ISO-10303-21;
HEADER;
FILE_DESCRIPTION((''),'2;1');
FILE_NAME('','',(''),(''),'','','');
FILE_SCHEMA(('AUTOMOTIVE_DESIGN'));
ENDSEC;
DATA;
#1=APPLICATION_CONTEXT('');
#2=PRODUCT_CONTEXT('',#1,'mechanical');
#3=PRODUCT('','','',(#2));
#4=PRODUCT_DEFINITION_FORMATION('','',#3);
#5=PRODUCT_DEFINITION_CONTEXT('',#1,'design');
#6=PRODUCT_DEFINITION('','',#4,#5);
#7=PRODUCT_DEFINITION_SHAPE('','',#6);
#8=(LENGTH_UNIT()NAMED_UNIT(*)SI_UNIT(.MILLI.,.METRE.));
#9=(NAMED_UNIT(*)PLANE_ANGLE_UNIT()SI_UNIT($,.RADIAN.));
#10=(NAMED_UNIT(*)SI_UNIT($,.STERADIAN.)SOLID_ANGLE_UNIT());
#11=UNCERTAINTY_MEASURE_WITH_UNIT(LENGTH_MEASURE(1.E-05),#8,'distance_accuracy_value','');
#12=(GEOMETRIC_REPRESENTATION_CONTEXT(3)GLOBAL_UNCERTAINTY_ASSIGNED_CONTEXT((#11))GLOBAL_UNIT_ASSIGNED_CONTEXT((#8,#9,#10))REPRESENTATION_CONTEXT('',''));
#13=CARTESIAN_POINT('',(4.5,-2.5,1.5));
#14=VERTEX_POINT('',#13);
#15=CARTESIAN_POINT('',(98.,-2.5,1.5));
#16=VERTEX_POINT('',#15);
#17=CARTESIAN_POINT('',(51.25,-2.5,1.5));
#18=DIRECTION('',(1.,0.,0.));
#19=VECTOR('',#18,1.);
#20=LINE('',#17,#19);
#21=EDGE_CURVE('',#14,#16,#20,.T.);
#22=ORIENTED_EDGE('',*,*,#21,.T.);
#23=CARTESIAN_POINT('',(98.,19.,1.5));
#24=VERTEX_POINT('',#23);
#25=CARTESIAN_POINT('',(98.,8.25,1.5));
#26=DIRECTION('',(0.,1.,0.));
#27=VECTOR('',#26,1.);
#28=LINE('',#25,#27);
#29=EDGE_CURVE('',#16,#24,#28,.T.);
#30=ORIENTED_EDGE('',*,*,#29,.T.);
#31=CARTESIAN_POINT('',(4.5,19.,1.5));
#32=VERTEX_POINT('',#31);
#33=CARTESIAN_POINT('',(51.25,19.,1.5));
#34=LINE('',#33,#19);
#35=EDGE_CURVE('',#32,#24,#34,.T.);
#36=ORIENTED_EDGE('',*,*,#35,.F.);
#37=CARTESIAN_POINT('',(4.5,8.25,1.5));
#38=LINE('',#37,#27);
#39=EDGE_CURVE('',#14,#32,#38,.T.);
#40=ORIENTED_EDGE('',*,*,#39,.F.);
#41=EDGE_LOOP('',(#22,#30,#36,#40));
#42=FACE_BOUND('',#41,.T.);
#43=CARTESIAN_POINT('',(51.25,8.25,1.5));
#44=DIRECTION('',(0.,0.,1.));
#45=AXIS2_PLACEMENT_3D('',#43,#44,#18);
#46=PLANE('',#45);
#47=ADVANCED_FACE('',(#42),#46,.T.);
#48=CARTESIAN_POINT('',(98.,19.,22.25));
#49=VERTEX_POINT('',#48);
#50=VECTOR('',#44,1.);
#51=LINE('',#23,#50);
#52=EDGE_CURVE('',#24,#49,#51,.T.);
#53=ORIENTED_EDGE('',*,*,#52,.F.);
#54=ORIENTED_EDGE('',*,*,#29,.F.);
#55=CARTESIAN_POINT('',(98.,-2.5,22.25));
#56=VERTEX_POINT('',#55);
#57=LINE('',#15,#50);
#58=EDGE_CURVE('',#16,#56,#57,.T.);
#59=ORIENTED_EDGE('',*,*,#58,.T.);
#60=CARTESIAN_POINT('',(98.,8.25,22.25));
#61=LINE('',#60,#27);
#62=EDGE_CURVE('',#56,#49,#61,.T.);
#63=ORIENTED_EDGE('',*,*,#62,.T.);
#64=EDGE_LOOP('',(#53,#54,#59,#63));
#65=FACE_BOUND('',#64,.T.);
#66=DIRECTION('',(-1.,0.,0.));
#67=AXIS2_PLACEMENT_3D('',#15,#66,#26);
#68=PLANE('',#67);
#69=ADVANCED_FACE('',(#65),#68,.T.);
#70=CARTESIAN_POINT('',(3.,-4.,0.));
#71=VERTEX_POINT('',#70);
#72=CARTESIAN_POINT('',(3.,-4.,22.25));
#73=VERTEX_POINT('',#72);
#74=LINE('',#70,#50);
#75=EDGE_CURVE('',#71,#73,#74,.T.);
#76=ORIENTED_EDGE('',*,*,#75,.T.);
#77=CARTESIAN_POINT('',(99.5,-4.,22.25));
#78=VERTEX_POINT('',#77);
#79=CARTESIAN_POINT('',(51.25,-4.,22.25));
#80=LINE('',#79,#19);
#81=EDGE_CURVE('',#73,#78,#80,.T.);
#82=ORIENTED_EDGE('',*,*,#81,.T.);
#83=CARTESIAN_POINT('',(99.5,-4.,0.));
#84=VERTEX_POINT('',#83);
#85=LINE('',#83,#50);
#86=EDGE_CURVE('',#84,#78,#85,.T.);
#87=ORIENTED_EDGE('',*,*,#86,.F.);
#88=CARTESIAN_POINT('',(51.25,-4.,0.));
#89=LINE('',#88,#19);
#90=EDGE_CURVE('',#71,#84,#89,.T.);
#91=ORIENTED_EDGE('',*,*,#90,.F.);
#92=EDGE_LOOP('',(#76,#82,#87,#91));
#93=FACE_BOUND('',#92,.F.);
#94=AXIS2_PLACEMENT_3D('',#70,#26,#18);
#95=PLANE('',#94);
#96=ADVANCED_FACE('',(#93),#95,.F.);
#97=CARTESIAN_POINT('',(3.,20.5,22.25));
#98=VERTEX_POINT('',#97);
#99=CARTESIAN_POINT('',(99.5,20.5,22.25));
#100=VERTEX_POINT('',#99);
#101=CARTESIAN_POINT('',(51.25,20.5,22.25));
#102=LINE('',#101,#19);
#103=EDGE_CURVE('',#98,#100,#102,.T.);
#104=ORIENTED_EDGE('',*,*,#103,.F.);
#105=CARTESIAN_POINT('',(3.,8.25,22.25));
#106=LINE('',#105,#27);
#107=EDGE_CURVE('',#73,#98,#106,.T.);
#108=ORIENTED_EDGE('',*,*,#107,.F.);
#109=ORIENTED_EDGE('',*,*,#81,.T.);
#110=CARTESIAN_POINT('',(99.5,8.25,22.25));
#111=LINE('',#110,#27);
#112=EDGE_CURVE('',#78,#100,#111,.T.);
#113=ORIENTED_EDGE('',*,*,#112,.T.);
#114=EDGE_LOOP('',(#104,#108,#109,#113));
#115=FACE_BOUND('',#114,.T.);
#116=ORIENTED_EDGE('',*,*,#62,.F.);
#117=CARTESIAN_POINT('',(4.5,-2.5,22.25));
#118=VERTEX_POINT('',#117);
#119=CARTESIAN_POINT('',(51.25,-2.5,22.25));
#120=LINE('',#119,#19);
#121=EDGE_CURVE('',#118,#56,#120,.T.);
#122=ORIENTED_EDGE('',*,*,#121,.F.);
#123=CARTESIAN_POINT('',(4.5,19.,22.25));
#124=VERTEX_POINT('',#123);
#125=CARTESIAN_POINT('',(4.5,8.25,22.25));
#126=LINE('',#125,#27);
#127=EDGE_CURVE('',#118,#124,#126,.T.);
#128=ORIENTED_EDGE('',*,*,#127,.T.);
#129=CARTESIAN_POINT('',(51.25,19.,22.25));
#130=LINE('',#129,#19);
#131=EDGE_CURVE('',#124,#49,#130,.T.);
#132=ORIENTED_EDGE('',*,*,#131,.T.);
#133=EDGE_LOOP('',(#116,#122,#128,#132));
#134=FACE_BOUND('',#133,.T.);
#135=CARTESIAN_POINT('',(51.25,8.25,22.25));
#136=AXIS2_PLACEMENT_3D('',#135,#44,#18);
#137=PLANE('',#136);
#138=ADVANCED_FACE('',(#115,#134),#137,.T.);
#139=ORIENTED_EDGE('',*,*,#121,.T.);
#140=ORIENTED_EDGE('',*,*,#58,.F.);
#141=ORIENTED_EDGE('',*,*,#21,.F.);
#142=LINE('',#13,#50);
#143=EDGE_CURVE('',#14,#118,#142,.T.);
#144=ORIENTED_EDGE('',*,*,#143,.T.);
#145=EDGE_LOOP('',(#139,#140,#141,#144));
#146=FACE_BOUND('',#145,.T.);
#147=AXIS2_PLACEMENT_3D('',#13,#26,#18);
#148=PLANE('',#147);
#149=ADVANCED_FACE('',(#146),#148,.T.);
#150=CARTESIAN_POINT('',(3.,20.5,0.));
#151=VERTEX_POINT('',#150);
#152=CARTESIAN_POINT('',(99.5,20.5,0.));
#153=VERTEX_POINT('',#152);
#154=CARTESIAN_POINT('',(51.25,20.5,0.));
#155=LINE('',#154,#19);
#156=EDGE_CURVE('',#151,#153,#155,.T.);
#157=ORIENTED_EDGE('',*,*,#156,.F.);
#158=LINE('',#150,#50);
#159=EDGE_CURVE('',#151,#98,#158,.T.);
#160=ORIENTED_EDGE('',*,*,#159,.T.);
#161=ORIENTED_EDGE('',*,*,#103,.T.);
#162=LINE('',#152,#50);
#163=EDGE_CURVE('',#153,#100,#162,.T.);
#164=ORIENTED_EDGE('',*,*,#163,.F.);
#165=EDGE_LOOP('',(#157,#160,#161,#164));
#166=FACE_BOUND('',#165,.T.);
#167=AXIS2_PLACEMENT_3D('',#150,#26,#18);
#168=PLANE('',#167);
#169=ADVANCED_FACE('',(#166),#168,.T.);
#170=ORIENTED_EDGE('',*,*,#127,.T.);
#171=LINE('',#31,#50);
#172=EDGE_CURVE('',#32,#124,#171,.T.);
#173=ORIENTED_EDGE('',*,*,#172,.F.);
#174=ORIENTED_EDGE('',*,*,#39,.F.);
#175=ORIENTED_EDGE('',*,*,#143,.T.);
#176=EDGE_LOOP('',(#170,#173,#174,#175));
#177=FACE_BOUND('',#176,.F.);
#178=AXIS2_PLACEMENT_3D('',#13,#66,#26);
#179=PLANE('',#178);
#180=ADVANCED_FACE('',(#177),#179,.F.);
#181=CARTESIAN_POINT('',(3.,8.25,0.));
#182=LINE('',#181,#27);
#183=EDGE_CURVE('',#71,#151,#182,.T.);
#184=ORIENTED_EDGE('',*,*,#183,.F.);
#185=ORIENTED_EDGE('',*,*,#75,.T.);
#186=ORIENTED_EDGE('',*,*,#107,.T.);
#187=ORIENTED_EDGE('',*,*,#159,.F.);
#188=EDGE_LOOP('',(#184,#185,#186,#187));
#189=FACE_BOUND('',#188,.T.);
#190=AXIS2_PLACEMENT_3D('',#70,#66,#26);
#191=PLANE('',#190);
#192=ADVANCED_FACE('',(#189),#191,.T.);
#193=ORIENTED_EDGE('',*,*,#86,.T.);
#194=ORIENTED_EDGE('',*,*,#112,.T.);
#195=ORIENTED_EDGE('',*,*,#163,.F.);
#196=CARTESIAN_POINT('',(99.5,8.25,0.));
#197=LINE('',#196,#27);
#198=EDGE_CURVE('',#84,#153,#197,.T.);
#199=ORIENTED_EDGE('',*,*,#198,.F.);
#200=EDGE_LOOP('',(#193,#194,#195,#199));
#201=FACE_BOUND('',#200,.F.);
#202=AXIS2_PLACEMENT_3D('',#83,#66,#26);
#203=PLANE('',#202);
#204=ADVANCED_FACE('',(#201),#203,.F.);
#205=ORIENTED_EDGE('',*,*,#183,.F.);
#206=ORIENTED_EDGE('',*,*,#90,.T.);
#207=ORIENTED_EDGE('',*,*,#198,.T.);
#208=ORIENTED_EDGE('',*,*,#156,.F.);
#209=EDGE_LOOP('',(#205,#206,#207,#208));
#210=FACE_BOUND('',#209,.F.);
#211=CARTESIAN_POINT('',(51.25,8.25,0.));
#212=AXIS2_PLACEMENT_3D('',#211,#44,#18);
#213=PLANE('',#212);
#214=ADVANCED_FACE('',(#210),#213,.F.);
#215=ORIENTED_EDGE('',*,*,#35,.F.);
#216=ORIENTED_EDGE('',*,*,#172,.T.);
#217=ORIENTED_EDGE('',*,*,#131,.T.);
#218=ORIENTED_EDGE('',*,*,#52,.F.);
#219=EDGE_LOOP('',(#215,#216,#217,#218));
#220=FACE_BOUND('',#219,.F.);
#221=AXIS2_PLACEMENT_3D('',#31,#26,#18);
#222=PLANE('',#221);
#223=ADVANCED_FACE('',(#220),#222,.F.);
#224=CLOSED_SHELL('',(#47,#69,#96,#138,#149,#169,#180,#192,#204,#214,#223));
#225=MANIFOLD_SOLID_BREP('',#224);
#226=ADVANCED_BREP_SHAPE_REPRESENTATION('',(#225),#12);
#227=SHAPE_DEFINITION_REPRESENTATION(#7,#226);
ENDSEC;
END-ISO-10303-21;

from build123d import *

# Parameters (mm, degrees)
BOX001_W           = 93.5
BOX001_H           = 21.5
BOX001_DEPTH       = 20.75
BOX015001015_W     = 96.5
BOX015001015_H     = 24.5
BOX015001015_DEPTH = 22.25


with BuildPart() as cube016:
    # Box001 → Box001 (new body)
    with BuildSketch(Plane(origin=(1.5, 1.5, 1.5), x_dir=(1, 0, 0), z_dir=(0, 0, 1))):
        with Locations((46.75, 10.75)):
            Rectangle(BOX001_W, BOX001_H)
    extrude(amount=BOX001_DEPTH)


with BuildPart() as cut004014:
    # Box015001015 → Box015001015 (new body)
    with BuildSketch(Plane.XY):
        with Locations((48.25, 12.25)):
            Rectangle(BOX015001015_W, BOX015001015_H)
    extrude(amount=BOX015001015_DEPTH)

    # Cut004014: cut Cube016
    add(cube016.part, mode=Mode.SUBTRACT)


with BuildPart() as cut004014_1:
    # Cut004014 placement: moved
    add(cut004014.part.moved(Location((3, -4, 0))))


solid = cut004014_1.part
